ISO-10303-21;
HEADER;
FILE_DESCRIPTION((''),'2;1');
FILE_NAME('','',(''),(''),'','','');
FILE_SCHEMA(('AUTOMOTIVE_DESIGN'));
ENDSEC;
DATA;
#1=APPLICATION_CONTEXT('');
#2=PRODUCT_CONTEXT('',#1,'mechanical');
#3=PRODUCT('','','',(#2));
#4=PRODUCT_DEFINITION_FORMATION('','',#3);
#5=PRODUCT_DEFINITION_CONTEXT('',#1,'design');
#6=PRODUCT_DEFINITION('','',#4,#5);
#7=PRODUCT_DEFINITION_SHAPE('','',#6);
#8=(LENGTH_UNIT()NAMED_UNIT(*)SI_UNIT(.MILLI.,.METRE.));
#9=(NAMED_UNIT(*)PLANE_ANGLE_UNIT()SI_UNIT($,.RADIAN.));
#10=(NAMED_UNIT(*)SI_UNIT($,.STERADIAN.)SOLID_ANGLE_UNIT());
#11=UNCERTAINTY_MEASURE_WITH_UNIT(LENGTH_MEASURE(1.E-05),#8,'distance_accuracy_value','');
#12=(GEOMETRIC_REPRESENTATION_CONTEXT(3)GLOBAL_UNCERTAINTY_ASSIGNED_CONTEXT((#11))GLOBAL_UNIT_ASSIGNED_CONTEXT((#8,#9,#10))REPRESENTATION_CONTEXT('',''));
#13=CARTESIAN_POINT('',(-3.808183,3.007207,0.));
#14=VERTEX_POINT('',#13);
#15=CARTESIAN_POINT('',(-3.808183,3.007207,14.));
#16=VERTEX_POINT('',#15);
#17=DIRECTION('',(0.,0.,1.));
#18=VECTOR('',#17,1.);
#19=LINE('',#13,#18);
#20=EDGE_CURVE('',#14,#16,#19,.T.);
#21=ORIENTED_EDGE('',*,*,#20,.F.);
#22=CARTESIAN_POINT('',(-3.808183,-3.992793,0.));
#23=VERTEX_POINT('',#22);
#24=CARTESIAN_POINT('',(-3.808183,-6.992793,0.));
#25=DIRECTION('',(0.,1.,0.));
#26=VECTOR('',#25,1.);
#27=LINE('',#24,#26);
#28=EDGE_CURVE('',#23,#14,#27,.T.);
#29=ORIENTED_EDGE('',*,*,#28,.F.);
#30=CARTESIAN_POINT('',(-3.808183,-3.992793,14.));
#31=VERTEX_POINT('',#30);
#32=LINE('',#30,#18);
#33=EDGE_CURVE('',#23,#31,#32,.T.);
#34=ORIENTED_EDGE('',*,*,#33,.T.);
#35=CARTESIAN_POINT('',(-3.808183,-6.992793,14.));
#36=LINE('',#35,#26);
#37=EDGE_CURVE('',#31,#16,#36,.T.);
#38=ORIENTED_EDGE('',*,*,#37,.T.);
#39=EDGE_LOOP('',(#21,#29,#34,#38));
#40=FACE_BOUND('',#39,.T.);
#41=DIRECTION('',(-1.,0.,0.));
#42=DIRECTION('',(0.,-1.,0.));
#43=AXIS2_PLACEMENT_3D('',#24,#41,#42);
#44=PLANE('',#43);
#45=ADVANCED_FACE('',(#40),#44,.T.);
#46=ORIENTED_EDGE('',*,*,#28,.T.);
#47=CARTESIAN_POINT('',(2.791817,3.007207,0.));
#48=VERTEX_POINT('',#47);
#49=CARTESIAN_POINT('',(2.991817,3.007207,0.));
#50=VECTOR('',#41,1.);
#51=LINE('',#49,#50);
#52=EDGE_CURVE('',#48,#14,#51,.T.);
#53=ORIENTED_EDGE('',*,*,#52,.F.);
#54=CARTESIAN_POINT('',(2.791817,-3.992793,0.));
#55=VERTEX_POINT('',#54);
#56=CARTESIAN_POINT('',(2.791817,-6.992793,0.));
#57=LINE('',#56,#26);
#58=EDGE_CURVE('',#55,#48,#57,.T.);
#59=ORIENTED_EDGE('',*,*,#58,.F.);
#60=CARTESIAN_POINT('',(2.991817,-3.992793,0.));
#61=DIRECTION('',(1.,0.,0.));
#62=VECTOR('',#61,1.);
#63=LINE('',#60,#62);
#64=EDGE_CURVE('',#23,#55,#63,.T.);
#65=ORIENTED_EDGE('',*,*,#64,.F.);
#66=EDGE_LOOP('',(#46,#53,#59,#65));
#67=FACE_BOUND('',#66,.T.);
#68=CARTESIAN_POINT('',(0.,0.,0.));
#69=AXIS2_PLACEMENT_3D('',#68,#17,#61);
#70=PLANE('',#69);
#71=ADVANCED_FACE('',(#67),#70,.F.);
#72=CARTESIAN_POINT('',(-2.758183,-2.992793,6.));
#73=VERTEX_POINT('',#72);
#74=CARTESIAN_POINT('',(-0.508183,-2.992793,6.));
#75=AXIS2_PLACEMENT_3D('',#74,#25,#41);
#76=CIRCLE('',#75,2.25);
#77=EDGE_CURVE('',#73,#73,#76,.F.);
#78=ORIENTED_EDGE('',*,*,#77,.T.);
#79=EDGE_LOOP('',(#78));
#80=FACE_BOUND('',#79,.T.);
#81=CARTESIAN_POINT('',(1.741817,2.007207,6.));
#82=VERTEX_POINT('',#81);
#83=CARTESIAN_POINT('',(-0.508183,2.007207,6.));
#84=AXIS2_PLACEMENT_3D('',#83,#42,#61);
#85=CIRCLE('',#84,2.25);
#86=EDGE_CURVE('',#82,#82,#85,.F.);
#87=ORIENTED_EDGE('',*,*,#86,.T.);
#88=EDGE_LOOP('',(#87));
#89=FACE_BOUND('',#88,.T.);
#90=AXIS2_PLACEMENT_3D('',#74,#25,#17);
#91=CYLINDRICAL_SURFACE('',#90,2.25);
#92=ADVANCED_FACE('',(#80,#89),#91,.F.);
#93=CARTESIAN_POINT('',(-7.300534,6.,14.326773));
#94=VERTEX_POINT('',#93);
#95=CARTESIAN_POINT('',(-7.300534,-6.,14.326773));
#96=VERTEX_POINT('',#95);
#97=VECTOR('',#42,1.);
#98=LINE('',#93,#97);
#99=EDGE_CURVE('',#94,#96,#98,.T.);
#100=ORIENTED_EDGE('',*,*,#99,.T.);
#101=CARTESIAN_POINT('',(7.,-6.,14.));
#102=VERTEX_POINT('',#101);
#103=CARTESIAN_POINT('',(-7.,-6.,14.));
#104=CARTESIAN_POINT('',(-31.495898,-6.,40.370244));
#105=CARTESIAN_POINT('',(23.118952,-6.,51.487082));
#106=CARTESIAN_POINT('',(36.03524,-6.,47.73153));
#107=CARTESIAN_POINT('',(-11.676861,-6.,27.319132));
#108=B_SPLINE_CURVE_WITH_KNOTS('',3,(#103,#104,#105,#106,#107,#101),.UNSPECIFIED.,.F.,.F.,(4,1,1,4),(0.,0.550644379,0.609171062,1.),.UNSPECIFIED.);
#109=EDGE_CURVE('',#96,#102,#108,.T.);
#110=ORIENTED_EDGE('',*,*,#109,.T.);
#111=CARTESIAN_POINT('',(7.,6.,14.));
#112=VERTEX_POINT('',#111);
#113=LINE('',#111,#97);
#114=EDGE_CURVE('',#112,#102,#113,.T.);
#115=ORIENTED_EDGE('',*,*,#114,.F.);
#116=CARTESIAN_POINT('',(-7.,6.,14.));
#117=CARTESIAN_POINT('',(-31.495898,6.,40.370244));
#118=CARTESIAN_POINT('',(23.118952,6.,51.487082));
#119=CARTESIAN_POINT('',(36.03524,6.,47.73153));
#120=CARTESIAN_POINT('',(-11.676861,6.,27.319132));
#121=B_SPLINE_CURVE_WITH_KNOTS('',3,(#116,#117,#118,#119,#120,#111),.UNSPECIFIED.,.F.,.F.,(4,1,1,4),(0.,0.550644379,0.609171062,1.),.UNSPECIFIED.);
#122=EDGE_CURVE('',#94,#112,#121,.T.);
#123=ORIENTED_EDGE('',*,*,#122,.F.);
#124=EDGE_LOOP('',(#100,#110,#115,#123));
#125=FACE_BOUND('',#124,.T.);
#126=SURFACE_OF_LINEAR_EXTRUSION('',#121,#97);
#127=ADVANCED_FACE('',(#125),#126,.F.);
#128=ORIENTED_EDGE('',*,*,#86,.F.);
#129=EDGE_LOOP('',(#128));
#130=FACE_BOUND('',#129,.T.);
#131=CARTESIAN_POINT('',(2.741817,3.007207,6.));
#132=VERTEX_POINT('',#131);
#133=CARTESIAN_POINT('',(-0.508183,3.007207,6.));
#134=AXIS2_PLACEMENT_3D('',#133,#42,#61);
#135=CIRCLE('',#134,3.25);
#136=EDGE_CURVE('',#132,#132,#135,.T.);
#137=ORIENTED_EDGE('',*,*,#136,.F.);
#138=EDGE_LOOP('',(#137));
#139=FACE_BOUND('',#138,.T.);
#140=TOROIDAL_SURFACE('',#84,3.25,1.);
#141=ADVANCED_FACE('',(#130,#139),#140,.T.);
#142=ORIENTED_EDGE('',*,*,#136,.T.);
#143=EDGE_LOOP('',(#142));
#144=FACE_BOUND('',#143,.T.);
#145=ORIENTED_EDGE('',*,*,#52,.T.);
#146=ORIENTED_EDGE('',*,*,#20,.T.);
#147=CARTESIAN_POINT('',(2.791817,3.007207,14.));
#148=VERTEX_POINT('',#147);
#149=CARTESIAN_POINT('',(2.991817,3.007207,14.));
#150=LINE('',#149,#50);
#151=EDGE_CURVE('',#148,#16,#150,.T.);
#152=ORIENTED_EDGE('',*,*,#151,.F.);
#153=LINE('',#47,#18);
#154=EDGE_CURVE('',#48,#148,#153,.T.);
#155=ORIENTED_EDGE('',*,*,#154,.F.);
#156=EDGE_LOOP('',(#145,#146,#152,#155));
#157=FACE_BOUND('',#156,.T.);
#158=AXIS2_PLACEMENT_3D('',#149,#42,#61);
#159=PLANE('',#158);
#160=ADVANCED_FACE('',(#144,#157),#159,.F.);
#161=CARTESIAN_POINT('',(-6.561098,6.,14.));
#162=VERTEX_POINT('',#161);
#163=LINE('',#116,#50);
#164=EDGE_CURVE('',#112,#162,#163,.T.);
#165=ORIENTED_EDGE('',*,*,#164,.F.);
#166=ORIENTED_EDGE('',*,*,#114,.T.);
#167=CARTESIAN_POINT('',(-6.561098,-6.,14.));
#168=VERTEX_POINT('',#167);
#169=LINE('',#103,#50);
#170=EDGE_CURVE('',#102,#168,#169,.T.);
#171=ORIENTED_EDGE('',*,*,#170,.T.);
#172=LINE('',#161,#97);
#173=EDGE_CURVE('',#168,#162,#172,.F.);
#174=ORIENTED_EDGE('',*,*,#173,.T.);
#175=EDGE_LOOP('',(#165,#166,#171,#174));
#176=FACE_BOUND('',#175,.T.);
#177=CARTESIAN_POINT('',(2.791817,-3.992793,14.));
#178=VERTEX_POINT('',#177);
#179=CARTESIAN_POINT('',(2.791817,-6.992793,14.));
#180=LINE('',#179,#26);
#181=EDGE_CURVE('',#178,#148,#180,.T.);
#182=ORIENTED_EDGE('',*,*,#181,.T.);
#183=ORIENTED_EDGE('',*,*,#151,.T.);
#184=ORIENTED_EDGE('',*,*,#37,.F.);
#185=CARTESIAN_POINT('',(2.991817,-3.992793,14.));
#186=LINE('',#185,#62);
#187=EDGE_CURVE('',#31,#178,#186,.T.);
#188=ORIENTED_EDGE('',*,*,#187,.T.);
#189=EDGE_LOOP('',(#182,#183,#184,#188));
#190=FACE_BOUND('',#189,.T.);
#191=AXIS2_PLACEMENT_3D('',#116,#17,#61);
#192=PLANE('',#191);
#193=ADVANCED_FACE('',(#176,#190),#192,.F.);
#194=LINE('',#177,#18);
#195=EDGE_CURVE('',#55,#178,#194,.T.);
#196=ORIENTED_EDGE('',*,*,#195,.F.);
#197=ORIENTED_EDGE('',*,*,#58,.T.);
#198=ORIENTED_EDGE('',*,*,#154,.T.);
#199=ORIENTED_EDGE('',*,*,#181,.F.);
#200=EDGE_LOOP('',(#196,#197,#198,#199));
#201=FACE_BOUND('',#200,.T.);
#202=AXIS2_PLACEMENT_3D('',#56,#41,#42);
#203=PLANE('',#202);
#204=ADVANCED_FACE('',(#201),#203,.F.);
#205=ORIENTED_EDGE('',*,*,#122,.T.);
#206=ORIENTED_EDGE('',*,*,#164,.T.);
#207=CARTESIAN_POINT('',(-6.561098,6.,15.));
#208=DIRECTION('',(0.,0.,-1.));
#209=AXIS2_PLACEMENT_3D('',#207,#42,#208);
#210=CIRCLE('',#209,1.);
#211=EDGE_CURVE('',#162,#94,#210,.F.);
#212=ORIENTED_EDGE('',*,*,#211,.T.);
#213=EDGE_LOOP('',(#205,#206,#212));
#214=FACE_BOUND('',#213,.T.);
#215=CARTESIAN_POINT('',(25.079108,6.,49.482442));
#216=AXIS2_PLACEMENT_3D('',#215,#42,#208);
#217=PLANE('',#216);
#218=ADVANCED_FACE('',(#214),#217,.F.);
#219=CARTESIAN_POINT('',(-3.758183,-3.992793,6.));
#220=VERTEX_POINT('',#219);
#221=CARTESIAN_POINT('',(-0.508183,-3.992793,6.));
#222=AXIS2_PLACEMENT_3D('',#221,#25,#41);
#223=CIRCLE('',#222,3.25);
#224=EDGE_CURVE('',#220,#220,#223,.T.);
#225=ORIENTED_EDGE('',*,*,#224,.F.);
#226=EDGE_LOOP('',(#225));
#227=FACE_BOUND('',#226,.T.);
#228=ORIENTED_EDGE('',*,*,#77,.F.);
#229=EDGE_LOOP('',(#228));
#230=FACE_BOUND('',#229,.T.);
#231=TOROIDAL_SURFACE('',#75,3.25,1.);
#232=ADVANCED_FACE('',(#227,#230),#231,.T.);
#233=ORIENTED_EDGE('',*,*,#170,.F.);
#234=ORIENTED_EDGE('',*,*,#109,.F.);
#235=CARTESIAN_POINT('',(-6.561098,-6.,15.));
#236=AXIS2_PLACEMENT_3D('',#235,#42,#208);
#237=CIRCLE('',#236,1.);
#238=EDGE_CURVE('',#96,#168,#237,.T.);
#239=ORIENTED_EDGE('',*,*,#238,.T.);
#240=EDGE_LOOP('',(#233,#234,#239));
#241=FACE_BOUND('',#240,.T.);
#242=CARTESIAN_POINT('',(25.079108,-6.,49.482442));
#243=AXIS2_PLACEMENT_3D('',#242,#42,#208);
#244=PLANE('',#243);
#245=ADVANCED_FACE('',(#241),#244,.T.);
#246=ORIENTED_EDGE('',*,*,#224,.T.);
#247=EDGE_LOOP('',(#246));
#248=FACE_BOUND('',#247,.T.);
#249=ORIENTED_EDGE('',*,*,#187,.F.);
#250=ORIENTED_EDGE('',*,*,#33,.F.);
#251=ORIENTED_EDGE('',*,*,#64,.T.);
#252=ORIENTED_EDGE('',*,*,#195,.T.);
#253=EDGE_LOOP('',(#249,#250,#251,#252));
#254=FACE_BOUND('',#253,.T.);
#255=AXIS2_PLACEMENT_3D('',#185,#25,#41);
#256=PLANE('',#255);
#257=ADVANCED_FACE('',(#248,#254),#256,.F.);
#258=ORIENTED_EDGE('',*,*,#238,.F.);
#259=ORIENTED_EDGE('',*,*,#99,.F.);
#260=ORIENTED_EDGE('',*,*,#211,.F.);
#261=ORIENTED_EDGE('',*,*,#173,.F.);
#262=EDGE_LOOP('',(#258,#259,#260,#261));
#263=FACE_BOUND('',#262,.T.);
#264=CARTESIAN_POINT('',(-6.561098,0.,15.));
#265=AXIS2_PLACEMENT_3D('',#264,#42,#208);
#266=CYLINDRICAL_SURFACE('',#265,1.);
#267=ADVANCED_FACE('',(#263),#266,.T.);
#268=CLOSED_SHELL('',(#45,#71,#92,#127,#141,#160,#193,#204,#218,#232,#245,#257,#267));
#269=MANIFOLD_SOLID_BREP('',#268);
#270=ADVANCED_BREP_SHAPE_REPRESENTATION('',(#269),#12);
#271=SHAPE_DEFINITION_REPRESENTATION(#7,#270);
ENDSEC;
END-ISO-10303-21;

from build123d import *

# Parameters (mm, degrees)
SKETCH_1_W          = 7
SKETCH_1_H          = 7
EXTRUDE_1_DEPTH     = 14
EXTRUDE_2_DEPTH     = 6
SKETCH_15_R         = 2.25
CUT_EXTRUDE_2_DEPTH = 6
FILLET_3_R          = 1
SKETCH_16_W         = 0.2
SKETCH_16_H         = 14
CUT_EXTRUDE_3_DEPTH = 10
SKETCH_17_R         = 2.25
CUT_EXTRUDE_4_DEPTH = 10
FILLET_4_R          = 1


with BuildPart() as part:
    # 草图1 → 凸台-拉伸1 (new body)
    with BuildSketch(Plane.XY):
        with Locations((-0.508182669, -0.492792772)):
            Rectangle(SKETCH_1_W, SKETCH_1_H)
    extrude(amount=EXTRUDE_1_DEPTH)

    # 草图6 → 凸台-拉伸2 (add, symmetric)
    with BuildSketch(Plane(origin=(0, 0, 0), x_dir=(1, 0, 0), z_dir=(0, 1, 0))):
        with BuildLine():
            Line((-7, -14), (7, -14))
            add(Edge.make_bspline(
                [(-7, -14), (-31.495898122, -40.370243945), (23.118952024, -51.487081909), (36.035240151, -47.73153031), (-11.676861275, -27.319131635), (7, -14)],
                knots=[0, 0, 0, 0, 0.550644379, 0.609171062, 1, 1, 1, 1], degree=3))
        make_face()
    extrude(amount=EXTRUDE_2_DEPTH, both=True)

    # 草图15 → 切除-拉伸2 (cut, symmetric)
    with BuildSketch(Plane(origin=(0, 3.007207228, 0), x_dir=(1, 0, 0), z_dir=(0, 1, 0))):
        with Locations((-0.508182669, -6)):
            Circle(SKETCH_15_R)
    extrude(amount=CUT_EXTRUDE_2_DEPTH, both=True, mode=Mode.SUBTRACT)

    # 圆角3
    fillet_3_edges = [part.edges().sort_by_distance(p)[0] for p in [
        (-7, -3, 14),
    ]]
    fillet(fillet_3_edges, radius=FILLET_3_R)

    # 草图16 → 切除-拉伸3 (cut)
    with BuildSketch(Plane(origin=(0, 3.007207228, 0), x_dir=(1, 0, 0), z_dir=(0, 1, 0))):
        with Locations((-3.908182669, -7)):
            Rectangle(SKETCH_16_W, SKETCH_16_H)
        with Locations((2.891817331, -7)):
            Rectangle(SKETCH_16_W, SKETCH_16_H)
    extrude(amount=-CUT_EXTRUDE_3_DEPTH, mode=Mode.SUBTRACT)

    # 草图17 → 切除-拉伸4 (cut)
    with BuildSketch(Plane(origin=(0, -2.992792772, 0), x_dir=(1, 0, 0), z_dir=(0, 1, 0))):
        with Locations((-0.508182669, -6)):
            Circle(SKETCH_17_R)
    extrude(amount=-CUT_EXTRUDE_4_DEPTH, mode=Mode.SUBTRACT)

    # 圆角4
    fillet_4_edges = [part.edges().sort_by_distance(p)[0] for p in [
        (-2.758182669, 3.007207228, 6),
        (-2.758182669, -3.992792772, 6),
    ]]
    fillet(fillet_4_edges, radius=FILLET_4_R)


solid = part.part
